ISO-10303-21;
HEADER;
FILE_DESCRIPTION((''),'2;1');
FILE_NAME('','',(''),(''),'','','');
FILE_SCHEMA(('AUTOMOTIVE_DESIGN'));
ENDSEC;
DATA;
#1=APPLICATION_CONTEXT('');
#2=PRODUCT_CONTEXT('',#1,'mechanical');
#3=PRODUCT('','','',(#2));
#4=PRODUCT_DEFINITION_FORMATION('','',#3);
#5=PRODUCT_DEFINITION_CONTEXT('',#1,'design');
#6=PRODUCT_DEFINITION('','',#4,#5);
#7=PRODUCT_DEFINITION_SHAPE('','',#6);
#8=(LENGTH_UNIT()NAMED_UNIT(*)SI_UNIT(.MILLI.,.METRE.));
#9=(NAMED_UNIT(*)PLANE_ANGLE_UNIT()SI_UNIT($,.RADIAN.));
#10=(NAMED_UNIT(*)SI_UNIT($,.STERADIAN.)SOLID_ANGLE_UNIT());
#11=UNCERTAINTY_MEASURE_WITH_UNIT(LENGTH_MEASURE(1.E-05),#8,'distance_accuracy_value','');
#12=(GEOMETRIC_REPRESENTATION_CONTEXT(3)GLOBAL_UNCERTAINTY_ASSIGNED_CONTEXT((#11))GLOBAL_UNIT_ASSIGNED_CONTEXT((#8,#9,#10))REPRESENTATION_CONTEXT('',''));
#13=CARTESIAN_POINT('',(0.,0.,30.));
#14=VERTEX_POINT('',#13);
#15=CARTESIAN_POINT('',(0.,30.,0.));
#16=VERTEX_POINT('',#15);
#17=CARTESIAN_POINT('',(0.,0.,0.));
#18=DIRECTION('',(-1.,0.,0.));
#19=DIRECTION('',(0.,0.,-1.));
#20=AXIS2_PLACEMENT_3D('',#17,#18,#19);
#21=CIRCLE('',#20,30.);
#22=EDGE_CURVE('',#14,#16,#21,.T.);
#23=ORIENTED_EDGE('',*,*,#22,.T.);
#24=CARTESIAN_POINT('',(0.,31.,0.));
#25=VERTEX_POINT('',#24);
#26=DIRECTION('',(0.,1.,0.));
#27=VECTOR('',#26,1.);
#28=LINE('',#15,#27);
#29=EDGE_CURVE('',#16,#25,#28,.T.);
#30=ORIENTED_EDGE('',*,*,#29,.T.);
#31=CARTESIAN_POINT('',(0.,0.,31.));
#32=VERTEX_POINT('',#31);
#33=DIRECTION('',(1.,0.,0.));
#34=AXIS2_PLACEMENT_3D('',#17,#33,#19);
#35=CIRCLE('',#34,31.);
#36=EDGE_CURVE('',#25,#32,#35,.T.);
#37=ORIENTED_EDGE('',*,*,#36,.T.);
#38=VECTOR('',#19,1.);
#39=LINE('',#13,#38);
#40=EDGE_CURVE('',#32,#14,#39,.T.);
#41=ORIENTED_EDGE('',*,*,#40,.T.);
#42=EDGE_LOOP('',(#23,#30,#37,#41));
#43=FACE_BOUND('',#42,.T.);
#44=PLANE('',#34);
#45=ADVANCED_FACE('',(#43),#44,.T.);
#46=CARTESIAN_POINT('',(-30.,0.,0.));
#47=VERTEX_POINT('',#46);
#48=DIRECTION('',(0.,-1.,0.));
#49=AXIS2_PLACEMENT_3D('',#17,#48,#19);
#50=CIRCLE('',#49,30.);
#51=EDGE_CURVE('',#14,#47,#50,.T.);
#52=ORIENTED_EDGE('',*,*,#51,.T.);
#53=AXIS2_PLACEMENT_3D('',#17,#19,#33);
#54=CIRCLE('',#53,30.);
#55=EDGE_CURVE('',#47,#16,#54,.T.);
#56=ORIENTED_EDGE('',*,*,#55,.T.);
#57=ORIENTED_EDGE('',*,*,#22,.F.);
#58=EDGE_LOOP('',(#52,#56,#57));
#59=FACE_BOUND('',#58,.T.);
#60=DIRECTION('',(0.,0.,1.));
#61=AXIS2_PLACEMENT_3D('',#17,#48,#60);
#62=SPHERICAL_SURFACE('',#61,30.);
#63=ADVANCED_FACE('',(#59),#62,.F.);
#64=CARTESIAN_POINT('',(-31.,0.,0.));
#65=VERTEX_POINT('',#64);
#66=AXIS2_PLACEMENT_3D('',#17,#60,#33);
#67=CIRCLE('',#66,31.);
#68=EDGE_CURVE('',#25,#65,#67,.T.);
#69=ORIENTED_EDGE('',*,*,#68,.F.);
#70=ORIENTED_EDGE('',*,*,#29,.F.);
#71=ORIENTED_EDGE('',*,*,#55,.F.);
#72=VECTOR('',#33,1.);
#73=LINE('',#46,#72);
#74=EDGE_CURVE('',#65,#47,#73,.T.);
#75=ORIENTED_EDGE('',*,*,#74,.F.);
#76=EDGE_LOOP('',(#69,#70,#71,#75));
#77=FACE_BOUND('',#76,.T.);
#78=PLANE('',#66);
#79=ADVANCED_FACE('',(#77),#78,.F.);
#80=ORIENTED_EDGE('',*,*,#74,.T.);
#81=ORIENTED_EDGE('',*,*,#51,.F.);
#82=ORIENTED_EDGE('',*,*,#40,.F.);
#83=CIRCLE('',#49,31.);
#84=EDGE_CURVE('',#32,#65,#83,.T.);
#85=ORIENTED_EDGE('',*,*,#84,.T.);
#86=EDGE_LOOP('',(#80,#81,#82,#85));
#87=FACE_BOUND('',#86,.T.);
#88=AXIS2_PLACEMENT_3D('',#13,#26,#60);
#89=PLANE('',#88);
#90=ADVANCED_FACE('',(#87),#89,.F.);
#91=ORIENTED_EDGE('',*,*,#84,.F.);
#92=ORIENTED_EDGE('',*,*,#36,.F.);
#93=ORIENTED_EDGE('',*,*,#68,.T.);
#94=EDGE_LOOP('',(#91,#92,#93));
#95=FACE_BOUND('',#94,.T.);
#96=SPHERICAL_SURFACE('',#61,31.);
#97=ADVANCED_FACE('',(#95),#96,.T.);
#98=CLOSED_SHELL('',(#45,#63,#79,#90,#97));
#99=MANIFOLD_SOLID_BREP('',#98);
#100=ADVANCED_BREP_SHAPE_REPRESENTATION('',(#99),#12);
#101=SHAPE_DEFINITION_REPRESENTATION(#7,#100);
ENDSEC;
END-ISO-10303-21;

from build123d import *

# Parameters (mm, degrees)
REVOLVE_1_ANGLE = 90


with BuildPart() as part:
    # 草图2 → 旋转1 (revolve)
    with BuildSketch(Plane.XY):
        with BuildLine():
            Line((0, 30), (0, 31))
            ThreePointArc((0, 31), (-21.920310217, 21.920310217), (-31, 0))
            Line((-31, 0), (-30, 0))
            ThreePointArc((-30, 0), (-21.213203436, 21.213203436), (0, 30))
        make_face()
    revolve(axis=Axis((0, 30, 0), (0, 1, 0)), revolution_arc=REVOLVE_1_ANGLE)


solid = part.part
